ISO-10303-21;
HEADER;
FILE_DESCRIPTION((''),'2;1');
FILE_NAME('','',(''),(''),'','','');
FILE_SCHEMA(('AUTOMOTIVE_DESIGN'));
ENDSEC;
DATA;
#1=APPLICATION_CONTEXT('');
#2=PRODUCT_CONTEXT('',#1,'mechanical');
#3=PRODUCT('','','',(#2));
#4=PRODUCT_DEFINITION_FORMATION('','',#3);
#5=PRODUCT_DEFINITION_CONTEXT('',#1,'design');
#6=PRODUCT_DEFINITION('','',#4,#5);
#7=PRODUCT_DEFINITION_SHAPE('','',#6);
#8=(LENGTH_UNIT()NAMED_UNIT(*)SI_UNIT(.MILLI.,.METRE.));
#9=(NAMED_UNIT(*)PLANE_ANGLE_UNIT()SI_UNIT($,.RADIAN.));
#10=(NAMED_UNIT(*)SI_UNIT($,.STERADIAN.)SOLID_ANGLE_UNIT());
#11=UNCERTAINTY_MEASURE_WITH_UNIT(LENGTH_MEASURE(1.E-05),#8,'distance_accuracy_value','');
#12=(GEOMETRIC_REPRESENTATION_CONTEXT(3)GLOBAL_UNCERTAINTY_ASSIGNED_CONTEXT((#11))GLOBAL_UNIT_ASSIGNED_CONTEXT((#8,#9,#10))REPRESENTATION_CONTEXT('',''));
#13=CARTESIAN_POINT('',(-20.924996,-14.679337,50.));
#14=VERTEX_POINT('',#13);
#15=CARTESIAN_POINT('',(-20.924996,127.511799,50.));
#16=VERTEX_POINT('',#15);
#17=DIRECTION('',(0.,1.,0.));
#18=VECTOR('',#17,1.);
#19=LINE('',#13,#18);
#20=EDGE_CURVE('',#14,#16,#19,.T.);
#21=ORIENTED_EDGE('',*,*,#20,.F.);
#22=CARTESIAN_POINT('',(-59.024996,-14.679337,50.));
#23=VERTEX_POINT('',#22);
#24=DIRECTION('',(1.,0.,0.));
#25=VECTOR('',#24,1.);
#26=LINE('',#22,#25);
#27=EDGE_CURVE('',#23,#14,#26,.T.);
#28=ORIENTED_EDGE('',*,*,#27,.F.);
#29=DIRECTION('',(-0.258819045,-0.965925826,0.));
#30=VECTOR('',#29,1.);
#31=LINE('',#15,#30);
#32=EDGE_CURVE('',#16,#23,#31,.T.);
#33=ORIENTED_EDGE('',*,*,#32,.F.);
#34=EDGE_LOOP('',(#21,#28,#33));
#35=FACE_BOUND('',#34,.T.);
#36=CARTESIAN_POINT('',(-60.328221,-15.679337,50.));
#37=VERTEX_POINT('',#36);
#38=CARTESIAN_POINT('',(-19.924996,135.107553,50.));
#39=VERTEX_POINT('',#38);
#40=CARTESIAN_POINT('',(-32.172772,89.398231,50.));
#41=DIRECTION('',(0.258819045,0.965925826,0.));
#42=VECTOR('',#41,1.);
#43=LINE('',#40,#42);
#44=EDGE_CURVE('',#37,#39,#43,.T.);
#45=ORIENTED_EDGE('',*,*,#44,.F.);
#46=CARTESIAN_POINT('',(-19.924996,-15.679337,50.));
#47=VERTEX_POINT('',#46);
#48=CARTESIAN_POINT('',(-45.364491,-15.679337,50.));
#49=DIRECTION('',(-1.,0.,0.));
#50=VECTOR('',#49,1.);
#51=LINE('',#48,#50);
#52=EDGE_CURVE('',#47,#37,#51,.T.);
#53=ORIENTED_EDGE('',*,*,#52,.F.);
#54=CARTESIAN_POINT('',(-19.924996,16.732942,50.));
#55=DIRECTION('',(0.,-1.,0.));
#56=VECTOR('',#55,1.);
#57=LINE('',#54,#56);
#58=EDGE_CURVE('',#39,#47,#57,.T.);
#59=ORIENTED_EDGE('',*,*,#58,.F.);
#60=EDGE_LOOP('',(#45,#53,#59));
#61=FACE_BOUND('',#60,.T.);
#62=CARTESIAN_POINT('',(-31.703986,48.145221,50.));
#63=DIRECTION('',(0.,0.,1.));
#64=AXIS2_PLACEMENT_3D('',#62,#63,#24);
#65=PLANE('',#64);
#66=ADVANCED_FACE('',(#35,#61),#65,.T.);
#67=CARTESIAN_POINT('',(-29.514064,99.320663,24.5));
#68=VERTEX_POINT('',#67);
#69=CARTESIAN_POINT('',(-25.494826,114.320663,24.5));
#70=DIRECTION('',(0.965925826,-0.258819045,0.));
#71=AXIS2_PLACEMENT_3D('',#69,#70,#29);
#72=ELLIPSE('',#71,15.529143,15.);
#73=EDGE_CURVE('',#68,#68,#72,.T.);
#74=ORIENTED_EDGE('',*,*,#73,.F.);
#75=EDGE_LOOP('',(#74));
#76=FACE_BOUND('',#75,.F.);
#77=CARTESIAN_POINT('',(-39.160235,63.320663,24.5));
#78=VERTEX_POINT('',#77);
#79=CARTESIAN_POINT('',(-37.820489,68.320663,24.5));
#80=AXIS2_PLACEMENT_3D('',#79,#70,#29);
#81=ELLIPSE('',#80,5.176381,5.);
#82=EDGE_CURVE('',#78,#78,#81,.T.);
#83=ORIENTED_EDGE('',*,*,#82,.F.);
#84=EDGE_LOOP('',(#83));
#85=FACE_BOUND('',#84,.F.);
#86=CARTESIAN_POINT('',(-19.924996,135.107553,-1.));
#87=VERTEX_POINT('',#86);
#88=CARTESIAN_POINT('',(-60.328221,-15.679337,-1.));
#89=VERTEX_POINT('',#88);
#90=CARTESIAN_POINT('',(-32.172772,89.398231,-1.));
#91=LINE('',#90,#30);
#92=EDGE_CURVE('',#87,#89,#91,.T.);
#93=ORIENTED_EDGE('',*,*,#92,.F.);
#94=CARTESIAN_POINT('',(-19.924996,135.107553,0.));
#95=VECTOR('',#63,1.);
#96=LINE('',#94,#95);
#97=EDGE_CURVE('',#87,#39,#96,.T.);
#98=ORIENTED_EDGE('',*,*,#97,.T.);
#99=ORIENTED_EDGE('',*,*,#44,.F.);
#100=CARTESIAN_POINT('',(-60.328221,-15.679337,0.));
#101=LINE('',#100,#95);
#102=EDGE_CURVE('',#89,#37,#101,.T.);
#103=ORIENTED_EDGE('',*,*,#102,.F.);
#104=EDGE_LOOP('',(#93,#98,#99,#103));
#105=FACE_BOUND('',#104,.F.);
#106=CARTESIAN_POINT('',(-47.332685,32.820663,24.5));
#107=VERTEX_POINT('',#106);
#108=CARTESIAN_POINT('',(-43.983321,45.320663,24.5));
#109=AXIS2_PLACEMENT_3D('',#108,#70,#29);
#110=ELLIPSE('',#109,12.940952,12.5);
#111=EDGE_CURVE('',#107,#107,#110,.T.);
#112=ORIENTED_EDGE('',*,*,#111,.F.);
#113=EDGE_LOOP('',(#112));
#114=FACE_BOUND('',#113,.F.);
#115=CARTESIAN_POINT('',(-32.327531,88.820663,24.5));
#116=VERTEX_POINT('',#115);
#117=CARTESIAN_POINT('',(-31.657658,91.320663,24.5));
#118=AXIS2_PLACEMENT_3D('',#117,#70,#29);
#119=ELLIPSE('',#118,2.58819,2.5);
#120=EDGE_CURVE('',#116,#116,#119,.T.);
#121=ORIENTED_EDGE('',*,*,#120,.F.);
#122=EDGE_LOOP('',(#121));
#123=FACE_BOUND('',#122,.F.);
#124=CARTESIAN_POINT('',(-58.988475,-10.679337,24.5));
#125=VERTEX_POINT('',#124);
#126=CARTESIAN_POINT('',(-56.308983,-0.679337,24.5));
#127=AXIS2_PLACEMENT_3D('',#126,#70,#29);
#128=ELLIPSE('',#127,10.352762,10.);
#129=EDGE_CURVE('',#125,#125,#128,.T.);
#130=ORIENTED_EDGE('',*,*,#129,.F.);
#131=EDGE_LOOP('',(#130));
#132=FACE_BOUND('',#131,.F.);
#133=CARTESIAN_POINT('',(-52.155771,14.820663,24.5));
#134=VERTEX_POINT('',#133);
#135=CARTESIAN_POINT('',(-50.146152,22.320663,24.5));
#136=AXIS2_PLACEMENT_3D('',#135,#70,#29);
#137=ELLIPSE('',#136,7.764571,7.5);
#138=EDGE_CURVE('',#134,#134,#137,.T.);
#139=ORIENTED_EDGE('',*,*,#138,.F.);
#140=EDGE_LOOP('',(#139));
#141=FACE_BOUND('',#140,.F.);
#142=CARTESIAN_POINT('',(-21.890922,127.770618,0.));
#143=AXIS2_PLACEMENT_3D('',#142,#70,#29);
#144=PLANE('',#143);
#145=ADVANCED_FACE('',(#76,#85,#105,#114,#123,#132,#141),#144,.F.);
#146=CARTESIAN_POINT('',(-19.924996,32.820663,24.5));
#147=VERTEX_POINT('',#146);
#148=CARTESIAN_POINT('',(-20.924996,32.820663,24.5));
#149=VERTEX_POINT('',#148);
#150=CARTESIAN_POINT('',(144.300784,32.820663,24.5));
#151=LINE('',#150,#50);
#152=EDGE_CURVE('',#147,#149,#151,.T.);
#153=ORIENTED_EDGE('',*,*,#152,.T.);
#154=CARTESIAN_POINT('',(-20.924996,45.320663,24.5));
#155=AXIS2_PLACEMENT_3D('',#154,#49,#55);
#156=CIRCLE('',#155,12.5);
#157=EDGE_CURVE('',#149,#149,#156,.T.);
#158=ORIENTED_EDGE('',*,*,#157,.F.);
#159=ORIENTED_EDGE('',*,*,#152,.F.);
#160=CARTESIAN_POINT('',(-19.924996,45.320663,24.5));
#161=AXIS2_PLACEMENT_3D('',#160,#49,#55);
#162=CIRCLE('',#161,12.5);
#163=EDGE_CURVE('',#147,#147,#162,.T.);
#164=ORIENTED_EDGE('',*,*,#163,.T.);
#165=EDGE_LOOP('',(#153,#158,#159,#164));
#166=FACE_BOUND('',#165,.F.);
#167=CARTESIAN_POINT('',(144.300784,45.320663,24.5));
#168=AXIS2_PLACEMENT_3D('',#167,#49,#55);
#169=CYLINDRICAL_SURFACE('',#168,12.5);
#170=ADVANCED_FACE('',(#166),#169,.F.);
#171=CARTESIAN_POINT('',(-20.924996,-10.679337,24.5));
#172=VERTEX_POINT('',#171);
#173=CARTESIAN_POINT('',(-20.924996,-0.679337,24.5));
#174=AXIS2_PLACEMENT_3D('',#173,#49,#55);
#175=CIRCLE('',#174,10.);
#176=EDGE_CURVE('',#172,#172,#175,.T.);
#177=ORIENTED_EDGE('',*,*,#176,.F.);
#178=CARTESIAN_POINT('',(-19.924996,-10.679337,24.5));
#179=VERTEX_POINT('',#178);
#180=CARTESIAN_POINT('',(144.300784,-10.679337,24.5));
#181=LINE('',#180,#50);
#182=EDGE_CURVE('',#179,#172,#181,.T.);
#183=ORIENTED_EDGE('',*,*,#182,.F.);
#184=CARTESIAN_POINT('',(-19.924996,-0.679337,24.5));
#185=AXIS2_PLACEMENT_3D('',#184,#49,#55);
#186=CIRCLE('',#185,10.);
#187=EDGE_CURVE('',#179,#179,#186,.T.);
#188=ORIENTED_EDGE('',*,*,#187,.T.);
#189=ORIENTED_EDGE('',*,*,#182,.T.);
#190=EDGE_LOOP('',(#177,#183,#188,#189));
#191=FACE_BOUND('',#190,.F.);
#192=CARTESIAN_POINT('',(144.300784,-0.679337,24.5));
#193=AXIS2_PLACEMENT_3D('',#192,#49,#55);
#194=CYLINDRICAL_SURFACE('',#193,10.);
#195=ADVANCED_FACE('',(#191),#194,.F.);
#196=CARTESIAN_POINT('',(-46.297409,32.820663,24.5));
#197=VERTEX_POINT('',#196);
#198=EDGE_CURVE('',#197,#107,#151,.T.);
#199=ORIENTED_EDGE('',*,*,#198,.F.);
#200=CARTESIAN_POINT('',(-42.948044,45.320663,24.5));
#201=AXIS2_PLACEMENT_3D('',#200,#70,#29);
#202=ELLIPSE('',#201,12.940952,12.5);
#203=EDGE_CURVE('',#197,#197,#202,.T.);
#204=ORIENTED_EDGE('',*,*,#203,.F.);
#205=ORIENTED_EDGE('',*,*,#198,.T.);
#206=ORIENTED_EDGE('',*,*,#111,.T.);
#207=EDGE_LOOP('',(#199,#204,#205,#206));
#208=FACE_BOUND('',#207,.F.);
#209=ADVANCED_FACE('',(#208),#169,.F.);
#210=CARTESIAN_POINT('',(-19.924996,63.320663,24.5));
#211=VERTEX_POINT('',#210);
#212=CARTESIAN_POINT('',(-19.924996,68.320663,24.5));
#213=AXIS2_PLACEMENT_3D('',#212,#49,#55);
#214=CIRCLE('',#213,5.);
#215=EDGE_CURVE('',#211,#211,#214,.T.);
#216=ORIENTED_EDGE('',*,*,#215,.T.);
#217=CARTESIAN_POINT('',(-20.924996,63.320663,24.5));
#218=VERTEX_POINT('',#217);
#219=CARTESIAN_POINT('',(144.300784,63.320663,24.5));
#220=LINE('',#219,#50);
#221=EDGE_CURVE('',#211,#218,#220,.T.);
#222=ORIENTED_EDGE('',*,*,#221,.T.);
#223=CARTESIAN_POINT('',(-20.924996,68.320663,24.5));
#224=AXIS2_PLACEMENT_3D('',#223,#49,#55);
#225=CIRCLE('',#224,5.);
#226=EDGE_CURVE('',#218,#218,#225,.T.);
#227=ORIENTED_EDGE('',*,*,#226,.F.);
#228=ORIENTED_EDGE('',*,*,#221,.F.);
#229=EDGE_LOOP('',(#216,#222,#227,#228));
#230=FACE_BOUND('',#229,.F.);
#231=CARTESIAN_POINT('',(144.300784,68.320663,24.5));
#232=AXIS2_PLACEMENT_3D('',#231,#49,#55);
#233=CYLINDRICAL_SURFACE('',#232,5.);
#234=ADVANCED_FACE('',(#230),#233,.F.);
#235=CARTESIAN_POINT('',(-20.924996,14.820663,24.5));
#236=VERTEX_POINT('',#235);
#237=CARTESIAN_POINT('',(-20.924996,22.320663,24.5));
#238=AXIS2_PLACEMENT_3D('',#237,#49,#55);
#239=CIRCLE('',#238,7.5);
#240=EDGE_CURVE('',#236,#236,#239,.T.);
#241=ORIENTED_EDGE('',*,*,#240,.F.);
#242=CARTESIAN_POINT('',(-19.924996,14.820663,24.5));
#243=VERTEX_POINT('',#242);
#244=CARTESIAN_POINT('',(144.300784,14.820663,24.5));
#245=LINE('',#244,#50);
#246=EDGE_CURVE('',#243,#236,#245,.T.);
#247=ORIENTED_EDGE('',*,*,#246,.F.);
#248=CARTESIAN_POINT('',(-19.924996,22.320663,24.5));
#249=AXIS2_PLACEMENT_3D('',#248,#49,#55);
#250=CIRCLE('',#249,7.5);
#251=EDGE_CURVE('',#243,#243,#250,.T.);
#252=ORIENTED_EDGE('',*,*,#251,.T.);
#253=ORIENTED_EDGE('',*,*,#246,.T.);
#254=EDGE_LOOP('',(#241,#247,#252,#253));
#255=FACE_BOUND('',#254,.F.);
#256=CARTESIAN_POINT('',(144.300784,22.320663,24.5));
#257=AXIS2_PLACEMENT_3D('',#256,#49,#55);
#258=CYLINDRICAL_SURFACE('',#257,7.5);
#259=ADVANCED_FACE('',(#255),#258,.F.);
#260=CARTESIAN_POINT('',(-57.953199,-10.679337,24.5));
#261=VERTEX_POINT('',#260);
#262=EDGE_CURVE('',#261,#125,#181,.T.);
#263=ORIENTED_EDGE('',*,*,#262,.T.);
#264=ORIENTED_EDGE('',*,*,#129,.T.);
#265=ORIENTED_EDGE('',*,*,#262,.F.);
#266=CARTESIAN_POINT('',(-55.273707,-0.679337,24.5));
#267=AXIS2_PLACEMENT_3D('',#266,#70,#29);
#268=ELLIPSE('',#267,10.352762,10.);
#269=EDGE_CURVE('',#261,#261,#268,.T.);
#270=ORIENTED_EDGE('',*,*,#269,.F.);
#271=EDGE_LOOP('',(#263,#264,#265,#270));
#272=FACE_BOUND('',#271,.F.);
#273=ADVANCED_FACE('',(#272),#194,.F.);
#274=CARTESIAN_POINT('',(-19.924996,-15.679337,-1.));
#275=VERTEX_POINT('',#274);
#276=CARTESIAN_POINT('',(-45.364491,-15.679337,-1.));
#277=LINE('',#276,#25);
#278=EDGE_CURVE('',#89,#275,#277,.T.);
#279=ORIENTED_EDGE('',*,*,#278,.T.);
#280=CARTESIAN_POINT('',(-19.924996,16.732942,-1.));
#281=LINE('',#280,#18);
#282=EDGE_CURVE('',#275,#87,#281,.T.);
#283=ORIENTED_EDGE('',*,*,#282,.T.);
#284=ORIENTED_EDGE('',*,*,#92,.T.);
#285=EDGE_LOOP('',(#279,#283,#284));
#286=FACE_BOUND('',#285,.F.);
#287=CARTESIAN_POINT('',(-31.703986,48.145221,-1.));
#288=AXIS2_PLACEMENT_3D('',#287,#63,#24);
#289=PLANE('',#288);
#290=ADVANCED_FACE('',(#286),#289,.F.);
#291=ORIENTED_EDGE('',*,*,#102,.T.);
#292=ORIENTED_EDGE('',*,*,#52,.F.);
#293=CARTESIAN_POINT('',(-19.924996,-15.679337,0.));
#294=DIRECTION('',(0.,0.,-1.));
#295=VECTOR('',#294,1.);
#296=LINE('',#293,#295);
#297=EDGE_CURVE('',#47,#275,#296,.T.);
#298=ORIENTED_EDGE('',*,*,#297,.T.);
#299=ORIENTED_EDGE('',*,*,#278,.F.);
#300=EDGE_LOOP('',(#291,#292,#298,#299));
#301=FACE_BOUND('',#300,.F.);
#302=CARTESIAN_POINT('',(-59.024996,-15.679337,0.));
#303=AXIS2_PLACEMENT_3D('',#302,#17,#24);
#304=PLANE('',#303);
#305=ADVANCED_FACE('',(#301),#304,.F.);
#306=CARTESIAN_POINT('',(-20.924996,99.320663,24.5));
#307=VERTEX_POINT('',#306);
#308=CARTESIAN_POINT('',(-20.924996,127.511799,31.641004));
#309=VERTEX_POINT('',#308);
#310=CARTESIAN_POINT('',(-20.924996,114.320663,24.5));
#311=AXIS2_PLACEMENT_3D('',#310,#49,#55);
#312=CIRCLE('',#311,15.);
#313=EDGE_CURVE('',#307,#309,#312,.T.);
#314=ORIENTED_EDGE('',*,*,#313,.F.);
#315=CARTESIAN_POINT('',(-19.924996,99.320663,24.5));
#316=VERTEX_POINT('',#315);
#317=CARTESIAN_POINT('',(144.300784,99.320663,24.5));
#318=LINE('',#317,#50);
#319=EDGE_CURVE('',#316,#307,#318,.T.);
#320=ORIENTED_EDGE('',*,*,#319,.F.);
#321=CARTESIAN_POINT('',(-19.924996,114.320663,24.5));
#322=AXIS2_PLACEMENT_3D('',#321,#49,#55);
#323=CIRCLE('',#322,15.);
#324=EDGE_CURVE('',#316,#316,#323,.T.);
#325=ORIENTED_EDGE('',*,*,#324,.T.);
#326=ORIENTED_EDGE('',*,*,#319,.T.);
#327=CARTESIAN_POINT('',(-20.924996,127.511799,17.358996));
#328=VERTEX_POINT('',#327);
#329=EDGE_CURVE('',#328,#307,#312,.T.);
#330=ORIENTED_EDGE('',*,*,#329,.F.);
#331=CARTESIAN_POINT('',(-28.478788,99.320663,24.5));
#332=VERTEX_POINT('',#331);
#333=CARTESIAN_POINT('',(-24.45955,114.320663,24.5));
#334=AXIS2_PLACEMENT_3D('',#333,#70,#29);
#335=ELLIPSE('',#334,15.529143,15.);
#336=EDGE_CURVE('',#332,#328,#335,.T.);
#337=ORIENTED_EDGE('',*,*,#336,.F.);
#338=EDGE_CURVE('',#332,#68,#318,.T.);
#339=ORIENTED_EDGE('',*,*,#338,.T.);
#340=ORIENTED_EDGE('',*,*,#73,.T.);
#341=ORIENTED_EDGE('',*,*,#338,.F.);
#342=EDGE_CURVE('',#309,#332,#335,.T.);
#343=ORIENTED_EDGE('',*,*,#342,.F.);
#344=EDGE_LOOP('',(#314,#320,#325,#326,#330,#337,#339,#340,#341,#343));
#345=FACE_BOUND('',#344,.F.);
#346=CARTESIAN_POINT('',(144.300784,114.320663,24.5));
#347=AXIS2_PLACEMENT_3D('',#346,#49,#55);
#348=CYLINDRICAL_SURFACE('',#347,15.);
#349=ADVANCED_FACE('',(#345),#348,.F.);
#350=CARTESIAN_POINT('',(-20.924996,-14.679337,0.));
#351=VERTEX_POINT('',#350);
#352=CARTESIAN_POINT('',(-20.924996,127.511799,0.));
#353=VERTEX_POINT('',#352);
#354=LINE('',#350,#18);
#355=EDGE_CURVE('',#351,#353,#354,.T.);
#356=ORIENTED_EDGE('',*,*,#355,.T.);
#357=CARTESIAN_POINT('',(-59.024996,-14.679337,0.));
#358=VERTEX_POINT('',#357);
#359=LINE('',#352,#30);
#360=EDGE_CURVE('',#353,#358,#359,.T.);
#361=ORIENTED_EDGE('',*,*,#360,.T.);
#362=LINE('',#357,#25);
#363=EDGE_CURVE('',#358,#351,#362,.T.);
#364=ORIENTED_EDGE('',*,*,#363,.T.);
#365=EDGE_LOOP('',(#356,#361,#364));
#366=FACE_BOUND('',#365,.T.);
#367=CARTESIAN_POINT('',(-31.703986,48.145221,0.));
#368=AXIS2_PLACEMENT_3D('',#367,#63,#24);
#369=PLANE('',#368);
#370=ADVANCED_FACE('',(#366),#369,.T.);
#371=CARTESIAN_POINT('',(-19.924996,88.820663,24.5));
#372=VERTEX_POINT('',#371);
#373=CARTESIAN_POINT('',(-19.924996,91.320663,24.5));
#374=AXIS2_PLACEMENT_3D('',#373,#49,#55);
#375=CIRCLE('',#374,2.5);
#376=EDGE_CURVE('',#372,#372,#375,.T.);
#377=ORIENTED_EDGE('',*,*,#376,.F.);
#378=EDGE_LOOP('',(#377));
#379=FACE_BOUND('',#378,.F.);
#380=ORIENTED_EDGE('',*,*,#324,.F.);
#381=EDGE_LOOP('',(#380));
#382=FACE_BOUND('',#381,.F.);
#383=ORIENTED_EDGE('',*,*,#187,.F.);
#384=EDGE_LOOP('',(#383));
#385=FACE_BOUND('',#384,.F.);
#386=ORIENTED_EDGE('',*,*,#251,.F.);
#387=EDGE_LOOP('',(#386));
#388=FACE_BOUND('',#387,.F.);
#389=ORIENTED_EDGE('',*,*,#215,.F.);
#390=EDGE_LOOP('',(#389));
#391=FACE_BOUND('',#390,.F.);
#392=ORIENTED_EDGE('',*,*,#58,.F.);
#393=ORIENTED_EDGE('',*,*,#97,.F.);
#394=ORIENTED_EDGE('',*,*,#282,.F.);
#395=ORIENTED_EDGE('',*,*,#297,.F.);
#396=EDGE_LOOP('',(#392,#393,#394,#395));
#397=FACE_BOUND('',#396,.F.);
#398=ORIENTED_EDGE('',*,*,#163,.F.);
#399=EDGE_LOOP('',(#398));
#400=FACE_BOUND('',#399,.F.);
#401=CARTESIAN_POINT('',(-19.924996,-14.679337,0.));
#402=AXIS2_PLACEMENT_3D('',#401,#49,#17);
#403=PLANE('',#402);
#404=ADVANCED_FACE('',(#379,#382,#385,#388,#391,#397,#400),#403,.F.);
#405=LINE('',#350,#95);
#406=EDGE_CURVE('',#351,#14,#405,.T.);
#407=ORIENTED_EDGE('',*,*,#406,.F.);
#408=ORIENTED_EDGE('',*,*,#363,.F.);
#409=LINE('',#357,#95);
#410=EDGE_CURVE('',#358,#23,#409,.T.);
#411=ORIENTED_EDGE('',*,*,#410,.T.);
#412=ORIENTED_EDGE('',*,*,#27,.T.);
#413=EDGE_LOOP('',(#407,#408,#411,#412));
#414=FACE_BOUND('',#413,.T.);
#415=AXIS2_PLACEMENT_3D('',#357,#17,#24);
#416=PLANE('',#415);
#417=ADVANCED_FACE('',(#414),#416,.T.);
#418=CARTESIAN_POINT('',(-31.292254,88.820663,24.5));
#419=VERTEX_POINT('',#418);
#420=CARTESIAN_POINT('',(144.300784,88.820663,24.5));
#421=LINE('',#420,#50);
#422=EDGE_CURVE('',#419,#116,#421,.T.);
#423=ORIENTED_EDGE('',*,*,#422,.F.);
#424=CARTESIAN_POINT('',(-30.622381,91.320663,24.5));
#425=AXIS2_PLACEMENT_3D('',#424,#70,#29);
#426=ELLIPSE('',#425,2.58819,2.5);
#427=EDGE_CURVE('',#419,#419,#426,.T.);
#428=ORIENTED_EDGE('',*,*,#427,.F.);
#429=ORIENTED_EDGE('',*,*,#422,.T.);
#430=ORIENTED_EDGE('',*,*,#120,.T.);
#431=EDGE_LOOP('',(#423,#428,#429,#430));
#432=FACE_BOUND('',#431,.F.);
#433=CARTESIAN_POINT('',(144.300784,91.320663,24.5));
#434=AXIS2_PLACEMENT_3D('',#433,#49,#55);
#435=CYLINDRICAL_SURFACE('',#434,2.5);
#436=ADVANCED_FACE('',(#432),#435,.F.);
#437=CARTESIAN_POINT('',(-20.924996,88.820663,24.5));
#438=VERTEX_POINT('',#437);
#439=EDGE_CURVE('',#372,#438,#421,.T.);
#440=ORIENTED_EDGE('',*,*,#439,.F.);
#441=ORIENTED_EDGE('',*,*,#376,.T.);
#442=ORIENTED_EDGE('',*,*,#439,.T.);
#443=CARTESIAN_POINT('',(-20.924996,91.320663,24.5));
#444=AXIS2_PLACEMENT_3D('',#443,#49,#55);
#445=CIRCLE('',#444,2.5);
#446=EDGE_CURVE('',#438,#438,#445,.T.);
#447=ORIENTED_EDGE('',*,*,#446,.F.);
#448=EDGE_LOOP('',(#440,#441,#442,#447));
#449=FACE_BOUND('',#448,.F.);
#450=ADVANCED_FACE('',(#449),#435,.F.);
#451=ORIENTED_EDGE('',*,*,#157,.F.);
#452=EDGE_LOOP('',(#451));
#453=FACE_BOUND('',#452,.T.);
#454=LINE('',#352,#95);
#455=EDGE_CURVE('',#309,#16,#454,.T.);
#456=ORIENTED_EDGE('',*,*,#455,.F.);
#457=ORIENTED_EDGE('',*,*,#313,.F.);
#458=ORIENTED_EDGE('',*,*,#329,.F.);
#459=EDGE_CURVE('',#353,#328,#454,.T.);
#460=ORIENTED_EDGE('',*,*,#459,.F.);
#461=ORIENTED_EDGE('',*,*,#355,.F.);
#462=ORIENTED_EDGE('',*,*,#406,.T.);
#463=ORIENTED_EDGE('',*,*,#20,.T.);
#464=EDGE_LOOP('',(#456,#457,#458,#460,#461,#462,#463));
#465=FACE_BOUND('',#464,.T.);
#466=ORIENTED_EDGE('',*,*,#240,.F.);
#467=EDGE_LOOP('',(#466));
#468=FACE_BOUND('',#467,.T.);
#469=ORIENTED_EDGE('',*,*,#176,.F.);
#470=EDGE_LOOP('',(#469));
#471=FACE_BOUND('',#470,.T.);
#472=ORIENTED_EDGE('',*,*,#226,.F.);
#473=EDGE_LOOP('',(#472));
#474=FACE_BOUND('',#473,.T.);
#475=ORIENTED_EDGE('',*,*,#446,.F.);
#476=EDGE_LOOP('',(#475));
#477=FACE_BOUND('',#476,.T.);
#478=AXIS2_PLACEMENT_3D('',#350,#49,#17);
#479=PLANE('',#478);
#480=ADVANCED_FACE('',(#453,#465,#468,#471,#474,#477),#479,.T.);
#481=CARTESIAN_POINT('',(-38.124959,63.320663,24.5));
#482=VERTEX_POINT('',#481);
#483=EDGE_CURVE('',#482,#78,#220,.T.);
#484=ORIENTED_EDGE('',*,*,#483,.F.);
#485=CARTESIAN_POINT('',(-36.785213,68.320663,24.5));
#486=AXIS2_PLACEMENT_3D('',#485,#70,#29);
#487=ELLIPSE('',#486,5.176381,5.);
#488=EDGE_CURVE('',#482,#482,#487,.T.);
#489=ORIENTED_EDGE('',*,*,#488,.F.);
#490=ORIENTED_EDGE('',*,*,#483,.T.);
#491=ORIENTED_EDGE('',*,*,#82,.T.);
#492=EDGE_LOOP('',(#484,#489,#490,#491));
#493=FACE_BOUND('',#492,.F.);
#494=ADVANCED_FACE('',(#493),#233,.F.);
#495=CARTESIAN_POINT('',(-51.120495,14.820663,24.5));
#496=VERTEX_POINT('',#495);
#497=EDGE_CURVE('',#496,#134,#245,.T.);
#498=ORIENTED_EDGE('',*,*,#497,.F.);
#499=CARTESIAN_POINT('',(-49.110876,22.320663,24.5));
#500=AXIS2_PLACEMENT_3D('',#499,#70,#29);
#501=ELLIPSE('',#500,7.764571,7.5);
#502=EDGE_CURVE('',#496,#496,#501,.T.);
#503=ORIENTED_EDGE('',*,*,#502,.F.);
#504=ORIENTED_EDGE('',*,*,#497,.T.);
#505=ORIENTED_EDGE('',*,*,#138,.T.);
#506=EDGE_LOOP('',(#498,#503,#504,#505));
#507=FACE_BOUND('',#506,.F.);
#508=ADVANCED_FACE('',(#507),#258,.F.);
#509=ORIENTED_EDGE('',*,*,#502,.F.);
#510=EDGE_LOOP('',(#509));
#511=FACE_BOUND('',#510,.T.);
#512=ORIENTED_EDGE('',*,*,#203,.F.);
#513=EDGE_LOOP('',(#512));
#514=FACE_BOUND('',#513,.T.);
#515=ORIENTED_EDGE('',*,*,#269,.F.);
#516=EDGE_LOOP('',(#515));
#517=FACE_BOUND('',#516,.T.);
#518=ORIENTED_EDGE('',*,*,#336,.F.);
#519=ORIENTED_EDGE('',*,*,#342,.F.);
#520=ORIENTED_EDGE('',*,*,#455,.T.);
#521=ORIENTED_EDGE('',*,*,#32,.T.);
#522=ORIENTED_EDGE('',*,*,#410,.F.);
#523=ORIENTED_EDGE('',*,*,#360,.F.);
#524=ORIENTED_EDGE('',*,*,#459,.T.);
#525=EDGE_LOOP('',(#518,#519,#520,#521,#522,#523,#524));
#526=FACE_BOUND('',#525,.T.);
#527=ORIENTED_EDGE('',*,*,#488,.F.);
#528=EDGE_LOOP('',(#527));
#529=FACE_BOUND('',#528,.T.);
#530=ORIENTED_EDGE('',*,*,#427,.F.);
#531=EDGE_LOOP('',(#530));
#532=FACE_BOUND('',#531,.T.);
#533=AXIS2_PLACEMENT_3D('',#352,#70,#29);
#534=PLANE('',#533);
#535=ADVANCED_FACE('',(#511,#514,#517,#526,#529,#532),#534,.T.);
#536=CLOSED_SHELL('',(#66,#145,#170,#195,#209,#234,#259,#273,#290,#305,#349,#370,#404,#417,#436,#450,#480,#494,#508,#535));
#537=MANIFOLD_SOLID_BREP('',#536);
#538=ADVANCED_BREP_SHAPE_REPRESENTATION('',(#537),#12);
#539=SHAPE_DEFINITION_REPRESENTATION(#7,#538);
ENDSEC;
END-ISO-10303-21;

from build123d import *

# Parameters (mm, degrees)
F1_DEPTH = 50
F2_T     = 1
F4_D     = 30
F5_D     = 20
F6_D     = 25
F7_D     = 10
F8_D     = 5
F9_D     = 15


with BuildPart() as f1:
    # F0 (on Top) → F1 (new body)
    with BuildSketch(Plane.XY):
        Polygon((-20.9249958888, -14.6793369754), (-20.9249958888, 127.5117987929), (-59.0249958888, -14.6793369754), align=None)
    extrude(amount=F1_DEPTH)

    # F2
    f2_openings = [f1.faces().sort_by_distance(p)[0] for p in [
        (-33.624996, 32.717708, 50),
    ]]
    offset(amount=F2_T, openings=f2_openings, kind=Kind.INTERSECTION)

    # F4 (through all)
    with Locations(Plane.YZ.offset(-19.9249958888)):
        with Locations((114.3206630246, 24.5)):
            Hole(F4_D / 2)

    # F5 (through all)
    with Locations(Plane.YZ.offset(-19.9249958888)):
        with Locations((-0.6793369754, 24.5)):
            Hole(F5_D / 2)

    # F6 (through all)
    with Locations(Plane.YZ.offset(-19.9249958888)):
        with Locations((45.3206630246, 24.5)):
            Hole(F6_D / 2)

    # F7 (through all)
    with Locations(Plane.YZ.offset(-19.9249958888)):
        with Locations((68.3206630246, 24.5)):
            Hole(F7_D / 2)

    # F8 (through all)
    with Locations(Plane.YZ.offset(-19.9249958888)):
        with Locations((91.3206630246, 24.5)):
            Hole(F8_D / 2)

    # F9 (through all)
    with Locations(Plane.YZ.offset(-19.9249958888)):
        with Locations((22.3206630246, 24.5)):
            Hole(F9_D / 2)


solid = f1.part
